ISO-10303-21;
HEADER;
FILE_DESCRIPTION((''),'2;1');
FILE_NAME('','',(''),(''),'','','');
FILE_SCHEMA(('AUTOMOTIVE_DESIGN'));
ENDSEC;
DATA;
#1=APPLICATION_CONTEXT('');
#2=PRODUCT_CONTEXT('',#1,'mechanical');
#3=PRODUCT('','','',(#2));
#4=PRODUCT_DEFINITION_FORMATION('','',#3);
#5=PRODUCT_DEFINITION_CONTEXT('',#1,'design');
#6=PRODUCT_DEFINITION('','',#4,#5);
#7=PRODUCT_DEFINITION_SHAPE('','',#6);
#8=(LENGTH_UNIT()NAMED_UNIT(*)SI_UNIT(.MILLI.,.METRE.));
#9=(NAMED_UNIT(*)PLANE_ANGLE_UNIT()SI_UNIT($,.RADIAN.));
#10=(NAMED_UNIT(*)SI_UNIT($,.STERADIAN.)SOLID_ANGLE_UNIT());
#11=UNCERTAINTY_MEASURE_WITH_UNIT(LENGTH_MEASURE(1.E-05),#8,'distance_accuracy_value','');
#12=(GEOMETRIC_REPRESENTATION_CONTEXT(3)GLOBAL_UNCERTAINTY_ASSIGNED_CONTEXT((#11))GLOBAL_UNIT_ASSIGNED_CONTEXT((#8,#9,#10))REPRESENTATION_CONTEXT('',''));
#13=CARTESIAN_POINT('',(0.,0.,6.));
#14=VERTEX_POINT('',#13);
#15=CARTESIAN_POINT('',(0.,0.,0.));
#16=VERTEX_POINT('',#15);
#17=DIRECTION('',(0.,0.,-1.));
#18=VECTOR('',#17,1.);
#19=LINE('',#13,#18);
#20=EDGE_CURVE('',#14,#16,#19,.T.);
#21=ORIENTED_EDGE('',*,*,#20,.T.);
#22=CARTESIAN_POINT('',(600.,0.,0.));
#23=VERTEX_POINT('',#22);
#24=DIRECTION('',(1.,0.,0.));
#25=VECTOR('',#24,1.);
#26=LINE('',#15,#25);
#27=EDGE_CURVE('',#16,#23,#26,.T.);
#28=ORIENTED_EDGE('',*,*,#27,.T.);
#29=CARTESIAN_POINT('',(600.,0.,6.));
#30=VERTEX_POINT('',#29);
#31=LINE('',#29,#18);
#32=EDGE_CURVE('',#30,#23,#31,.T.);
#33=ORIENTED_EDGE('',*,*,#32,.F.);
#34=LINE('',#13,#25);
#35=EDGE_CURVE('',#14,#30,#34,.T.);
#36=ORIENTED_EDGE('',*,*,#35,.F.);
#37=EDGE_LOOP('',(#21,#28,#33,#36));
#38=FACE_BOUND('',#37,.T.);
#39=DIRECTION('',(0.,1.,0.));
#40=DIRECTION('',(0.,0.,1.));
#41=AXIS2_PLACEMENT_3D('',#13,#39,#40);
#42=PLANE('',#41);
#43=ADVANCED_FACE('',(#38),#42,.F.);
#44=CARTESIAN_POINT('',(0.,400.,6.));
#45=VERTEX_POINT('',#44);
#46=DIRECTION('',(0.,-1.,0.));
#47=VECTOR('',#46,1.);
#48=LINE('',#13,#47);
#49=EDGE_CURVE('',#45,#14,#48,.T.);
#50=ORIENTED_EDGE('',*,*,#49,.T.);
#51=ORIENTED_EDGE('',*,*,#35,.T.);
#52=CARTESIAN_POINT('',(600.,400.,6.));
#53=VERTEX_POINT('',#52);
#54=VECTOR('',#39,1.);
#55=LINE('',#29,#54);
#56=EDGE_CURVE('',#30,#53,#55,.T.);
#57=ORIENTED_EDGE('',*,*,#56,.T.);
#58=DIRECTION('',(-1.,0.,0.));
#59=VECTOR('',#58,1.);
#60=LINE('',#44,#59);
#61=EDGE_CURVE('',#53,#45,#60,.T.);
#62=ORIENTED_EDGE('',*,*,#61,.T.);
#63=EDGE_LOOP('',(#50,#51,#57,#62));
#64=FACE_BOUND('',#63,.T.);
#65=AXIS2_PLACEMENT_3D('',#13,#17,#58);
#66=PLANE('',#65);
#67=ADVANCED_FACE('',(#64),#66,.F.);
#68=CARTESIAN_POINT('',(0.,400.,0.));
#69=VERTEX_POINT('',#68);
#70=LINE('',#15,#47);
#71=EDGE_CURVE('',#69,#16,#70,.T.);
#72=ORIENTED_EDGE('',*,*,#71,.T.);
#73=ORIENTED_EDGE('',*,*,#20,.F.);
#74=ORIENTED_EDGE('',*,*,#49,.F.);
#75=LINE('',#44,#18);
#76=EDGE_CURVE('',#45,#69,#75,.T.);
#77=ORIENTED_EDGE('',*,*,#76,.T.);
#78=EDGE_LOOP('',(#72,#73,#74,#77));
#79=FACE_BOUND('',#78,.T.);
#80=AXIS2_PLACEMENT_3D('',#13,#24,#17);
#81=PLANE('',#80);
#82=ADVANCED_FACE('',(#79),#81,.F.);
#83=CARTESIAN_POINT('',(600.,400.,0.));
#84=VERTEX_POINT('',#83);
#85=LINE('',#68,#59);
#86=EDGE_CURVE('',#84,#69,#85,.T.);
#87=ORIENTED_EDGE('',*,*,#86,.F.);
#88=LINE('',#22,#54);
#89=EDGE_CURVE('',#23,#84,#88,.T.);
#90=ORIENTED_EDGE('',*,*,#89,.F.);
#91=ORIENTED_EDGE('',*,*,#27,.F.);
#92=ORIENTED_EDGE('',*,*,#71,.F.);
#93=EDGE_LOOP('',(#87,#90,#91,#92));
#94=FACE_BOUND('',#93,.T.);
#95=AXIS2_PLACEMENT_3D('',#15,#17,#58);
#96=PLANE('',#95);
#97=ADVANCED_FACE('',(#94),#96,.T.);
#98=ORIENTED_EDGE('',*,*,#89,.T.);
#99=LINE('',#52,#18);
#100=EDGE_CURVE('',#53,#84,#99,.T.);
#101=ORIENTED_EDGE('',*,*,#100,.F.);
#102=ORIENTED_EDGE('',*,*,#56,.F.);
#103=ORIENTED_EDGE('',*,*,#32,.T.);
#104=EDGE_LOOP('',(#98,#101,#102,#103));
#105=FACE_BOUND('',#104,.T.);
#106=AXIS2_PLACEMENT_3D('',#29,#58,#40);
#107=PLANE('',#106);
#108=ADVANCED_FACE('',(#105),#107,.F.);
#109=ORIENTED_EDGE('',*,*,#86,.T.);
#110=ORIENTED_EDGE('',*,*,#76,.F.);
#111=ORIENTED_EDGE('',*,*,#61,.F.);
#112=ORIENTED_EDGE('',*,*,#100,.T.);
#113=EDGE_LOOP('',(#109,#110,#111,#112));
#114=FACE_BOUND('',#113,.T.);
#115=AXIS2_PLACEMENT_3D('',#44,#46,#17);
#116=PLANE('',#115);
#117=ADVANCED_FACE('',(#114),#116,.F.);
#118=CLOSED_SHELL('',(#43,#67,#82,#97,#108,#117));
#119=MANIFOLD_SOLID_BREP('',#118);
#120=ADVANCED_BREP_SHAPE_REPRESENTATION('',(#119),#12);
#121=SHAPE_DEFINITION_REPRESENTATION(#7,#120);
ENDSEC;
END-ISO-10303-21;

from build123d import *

# Parameters (mm, degrees)
ESBO_O1_W                = 600
ESBO_O1_H                = 400
RESSALTO_EXTRUS_O1_DEPTH = 6


with BuildPart() as part:
    # Esboço1 → Ressalto-extrusão1 (new body)
    with BuildSketch(Plane.XY):
        with Locations((300, 200)):
            Rectangle(ESBO_O1_W, ESBO_O1_H)
    extrude(amount=RESSALTO_EXTRUS_O1_DEPTH)


solid = part.part
